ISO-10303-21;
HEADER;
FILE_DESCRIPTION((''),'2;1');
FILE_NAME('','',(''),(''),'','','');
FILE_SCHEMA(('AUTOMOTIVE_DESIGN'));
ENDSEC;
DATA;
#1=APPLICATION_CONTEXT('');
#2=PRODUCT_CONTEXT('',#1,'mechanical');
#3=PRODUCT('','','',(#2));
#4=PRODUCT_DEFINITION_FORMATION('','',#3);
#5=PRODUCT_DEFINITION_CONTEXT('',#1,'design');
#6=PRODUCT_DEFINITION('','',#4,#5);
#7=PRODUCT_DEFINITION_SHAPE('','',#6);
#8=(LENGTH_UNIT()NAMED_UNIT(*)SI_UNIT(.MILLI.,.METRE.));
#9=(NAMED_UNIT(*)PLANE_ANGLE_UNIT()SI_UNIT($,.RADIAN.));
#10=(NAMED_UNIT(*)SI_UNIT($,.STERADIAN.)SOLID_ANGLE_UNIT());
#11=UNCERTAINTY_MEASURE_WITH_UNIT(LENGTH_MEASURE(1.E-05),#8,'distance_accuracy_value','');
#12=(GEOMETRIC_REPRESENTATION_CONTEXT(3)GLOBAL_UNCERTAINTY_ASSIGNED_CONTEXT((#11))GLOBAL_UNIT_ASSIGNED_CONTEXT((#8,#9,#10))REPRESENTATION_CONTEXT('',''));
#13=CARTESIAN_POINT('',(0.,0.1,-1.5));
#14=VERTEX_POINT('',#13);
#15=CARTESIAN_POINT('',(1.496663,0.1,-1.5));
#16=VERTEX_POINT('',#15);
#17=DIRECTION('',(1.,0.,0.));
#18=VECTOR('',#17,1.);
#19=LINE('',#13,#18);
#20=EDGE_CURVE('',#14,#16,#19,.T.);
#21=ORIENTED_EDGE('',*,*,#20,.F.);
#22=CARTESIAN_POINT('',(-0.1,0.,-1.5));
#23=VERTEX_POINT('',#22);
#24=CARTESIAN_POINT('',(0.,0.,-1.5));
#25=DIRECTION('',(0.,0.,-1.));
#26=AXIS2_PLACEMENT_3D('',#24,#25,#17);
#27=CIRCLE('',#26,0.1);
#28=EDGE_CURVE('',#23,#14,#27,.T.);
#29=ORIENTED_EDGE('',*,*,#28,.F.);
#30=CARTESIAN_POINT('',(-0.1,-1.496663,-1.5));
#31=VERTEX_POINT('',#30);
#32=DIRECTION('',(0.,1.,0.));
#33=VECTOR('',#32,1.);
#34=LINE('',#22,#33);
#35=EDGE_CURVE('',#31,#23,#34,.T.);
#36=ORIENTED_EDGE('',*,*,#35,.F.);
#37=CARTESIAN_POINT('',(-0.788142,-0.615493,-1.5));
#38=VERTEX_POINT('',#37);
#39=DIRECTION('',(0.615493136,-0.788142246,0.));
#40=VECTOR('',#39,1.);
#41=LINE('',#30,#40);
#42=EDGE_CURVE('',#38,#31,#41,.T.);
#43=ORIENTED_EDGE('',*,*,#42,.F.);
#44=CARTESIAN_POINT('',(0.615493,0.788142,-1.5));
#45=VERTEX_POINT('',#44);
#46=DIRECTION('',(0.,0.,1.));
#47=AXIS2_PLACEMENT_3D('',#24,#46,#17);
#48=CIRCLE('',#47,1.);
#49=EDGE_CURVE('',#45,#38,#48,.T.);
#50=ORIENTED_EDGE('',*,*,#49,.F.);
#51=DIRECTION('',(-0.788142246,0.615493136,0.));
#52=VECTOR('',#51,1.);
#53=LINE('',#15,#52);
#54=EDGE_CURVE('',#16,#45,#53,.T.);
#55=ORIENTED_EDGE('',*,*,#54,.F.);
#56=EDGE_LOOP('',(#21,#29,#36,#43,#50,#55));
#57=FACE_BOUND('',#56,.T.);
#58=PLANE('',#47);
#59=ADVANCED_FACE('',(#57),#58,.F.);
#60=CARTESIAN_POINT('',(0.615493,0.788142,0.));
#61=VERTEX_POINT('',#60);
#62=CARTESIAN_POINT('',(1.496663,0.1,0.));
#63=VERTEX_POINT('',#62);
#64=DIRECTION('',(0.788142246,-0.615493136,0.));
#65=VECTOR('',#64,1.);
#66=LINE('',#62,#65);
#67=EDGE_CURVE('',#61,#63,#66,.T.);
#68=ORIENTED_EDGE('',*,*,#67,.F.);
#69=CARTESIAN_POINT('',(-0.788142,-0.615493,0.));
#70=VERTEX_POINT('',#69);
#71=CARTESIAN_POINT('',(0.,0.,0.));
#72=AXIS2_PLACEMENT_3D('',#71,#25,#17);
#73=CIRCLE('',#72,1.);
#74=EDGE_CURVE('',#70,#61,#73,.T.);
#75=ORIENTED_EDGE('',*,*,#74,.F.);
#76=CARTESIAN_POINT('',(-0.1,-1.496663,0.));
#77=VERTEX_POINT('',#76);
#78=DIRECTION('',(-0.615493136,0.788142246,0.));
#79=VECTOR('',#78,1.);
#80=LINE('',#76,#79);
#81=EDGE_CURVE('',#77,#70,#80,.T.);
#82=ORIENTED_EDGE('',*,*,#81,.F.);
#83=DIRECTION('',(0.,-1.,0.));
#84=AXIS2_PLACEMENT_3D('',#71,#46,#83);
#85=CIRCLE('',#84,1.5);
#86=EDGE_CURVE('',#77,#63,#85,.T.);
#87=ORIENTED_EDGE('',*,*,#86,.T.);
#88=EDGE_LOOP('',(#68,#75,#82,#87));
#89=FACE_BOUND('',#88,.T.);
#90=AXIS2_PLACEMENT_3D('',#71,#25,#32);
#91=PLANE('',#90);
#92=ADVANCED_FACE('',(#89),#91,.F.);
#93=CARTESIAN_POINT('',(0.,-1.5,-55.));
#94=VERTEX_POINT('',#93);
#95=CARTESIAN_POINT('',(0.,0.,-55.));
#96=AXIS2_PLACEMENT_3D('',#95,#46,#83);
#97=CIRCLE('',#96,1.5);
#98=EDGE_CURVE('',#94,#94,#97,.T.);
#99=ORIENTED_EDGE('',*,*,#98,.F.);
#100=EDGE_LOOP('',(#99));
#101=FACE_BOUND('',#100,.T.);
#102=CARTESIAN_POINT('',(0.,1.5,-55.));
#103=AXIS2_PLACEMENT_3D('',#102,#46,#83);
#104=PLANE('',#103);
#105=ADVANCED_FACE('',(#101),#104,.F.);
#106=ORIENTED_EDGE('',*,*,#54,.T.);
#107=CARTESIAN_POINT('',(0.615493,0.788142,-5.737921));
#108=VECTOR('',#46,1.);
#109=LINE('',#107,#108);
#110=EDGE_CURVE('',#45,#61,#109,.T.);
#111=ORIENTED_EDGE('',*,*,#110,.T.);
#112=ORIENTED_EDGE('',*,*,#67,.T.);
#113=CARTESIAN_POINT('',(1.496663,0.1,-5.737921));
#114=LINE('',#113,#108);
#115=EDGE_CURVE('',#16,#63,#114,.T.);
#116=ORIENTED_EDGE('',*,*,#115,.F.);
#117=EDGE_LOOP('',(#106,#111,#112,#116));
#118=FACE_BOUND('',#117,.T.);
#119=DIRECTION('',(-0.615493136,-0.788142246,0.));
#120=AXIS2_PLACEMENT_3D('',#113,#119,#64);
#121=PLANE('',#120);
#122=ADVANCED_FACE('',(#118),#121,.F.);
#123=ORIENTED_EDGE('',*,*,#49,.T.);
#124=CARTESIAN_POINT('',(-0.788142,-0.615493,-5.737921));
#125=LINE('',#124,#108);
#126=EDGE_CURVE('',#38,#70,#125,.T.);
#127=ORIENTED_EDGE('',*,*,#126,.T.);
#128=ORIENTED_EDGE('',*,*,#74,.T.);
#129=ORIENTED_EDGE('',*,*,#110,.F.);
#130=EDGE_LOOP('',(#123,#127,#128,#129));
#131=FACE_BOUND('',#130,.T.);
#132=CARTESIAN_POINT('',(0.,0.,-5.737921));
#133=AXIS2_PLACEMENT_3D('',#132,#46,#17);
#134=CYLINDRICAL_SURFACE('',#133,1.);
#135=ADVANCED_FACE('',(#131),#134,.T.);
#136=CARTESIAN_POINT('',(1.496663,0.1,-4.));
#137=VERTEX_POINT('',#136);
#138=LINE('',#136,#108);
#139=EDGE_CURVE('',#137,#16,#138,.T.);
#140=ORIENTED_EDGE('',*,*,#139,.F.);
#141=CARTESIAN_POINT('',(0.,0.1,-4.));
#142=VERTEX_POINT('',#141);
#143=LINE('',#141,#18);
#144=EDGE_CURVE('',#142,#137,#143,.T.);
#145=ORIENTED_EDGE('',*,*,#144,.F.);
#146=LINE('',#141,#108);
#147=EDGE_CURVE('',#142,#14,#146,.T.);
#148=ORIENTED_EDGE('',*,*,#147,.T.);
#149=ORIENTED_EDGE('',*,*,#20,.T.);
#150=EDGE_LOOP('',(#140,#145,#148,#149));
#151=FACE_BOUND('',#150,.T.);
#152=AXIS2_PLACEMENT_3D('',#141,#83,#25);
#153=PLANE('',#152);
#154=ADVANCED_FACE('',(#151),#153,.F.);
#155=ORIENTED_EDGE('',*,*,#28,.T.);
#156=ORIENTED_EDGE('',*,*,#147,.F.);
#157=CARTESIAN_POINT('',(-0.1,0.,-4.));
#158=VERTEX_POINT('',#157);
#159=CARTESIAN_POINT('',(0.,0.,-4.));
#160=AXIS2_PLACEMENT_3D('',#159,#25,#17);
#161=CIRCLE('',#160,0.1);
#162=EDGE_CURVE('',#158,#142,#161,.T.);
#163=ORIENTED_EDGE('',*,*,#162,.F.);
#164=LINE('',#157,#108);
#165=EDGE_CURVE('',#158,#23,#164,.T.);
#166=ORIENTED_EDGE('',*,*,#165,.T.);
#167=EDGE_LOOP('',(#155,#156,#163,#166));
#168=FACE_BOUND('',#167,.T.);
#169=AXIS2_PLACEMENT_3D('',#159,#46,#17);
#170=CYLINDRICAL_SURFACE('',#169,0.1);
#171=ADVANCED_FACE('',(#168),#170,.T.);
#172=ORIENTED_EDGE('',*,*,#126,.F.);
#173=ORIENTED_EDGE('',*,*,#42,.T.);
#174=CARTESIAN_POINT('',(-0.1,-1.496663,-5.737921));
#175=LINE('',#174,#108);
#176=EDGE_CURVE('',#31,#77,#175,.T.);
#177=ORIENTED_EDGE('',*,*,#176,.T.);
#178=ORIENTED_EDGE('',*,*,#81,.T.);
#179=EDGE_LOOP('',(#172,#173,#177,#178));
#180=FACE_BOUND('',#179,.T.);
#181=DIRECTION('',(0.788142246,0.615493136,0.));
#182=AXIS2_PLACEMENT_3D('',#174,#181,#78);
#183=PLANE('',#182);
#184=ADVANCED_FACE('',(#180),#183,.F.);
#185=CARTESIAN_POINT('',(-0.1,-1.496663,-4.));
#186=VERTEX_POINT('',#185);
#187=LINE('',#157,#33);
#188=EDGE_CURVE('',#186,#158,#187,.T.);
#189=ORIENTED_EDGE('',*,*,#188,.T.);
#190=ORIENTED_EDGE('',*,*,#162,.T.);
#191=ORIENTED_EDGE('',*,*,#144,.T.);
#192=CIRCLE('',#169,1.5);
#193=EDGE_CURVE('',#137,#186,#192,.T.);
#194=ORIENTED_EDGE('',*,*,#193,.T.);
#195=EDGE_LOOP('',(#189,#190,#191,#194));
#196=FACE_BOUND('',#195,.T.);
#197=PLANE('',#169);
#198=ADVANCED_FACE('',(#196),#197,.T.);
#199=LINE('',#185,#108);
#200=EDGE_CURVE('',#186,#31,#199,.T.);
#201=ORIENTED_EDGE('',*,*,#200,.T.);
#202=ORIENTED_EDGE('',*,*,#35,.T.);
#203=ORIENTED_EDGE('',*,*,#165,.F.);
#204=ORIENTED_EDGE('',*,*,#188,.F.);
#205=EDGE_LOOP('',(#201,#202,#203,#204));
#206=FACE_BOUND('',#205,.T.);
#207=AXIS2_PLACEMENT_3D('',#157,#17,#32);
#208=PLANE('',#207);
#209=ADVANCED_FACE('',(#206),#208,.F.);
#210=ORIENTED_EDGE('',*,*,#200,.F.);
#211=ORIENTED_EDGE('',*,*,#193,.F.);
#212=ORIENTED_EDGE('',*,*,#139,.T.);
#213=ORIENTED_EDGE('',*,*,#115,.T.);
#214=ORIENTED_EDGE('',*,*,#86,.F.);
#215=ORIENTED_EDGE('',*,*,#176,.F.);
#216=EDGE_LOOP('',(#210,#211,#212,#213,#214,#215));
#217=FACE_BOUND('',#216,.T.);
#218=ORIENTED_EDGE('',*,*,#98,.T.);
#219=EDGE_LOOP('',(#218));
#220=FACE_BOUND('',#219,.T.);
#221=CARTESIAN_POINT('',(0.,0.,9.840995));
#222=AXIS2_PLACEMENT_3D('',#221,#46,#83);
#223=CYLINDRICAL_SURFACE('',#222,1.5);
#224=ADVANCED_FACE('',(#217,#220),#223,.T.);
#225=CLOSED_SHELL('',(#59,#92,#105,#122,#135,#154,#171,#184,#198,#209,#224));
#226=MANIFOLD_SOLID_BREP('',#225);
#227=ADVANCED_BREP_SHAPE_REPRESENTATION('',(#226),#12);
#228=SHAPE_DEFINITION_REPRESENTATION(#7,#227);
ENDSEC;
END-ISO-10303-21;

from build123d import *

# Parameters (mm, degrees)
SKETCH1_W          = 55
SKETCH1_H          = 1.5
CUT_EXTRUDE1_START = -4
CUT_EXTRUDE1_DEPTH = 2.5
CUT_EXTRUDE2_START = -1.5
CUT_EXTRUDE2_DEPTH = 1.5


with BuildPart() as part:
    # Sketch1 → Revolve1 (revolve)
    with BuildSketch(Plane(origin=(0, 0, 0), x_dir=(0, 0, -1), z_dir=(1, 0, 0)), mode=Mode.PRIVATE) as revolve1_sk:
        with Locations((27.5, 0.75)):
            Rectangle(SKETCH1_W, SKETCH1_H)
    revolve(revolve1_sk.sketch.rotate(Axis((0, 0, 9.840994653), (0, 0, -1)), 180), axis=Axis((0, 0, 9.840994653), (0, 0, -1)))

    # Sketch2 → Cut-Extrude1 (cut)
    with BuildSketch(Plane.XY.offset(CUT_EXTRUDE1_START)):
        with BuildLine():
            Line((0, 0.1), (1.496662955, 0.1))
            ThreePointArc((1.496662955, 0.1), (-1.060660172, 1.060660172), (-0.1, -1.496662955))
            Line((-0.1, -1.496662955), (-0.1, 0))
            ThreePointArc((-0.1, 0), (-0.070710678, 0.070710678), (0, 0.1))
        make_face()
    extrude(amount=CUT_EXTRUDE1_DEPTH, mode=Mode.SUBTRACT)

    # Sketch3 → Cut-Extrude2 (cut)
    with BuildSketch(Plane.XY.offset(CUT_EXTRUDE2_START)):
        with BuildLine():
            Line((1.496662955, 0.1), (0.615493136, 0.788142246))
            ThreePointArc((0.615493136, 0.788142246), (-0.707106781, 0.707106781), (-0.788142246, -0.615493136))
            Line((-0.788142246, -0.615493136), (-0.1, -1.496662955))
            ThreePointArc((-0.1, -1.496662955), (-1.060660172, 1.060660172), (1.496662955, 0.1))
        make_face()
    extrude(amount=CUT_EXTRUDE2_DEPTH, mode=Mode.SUBTRACT)


solid = part.part
